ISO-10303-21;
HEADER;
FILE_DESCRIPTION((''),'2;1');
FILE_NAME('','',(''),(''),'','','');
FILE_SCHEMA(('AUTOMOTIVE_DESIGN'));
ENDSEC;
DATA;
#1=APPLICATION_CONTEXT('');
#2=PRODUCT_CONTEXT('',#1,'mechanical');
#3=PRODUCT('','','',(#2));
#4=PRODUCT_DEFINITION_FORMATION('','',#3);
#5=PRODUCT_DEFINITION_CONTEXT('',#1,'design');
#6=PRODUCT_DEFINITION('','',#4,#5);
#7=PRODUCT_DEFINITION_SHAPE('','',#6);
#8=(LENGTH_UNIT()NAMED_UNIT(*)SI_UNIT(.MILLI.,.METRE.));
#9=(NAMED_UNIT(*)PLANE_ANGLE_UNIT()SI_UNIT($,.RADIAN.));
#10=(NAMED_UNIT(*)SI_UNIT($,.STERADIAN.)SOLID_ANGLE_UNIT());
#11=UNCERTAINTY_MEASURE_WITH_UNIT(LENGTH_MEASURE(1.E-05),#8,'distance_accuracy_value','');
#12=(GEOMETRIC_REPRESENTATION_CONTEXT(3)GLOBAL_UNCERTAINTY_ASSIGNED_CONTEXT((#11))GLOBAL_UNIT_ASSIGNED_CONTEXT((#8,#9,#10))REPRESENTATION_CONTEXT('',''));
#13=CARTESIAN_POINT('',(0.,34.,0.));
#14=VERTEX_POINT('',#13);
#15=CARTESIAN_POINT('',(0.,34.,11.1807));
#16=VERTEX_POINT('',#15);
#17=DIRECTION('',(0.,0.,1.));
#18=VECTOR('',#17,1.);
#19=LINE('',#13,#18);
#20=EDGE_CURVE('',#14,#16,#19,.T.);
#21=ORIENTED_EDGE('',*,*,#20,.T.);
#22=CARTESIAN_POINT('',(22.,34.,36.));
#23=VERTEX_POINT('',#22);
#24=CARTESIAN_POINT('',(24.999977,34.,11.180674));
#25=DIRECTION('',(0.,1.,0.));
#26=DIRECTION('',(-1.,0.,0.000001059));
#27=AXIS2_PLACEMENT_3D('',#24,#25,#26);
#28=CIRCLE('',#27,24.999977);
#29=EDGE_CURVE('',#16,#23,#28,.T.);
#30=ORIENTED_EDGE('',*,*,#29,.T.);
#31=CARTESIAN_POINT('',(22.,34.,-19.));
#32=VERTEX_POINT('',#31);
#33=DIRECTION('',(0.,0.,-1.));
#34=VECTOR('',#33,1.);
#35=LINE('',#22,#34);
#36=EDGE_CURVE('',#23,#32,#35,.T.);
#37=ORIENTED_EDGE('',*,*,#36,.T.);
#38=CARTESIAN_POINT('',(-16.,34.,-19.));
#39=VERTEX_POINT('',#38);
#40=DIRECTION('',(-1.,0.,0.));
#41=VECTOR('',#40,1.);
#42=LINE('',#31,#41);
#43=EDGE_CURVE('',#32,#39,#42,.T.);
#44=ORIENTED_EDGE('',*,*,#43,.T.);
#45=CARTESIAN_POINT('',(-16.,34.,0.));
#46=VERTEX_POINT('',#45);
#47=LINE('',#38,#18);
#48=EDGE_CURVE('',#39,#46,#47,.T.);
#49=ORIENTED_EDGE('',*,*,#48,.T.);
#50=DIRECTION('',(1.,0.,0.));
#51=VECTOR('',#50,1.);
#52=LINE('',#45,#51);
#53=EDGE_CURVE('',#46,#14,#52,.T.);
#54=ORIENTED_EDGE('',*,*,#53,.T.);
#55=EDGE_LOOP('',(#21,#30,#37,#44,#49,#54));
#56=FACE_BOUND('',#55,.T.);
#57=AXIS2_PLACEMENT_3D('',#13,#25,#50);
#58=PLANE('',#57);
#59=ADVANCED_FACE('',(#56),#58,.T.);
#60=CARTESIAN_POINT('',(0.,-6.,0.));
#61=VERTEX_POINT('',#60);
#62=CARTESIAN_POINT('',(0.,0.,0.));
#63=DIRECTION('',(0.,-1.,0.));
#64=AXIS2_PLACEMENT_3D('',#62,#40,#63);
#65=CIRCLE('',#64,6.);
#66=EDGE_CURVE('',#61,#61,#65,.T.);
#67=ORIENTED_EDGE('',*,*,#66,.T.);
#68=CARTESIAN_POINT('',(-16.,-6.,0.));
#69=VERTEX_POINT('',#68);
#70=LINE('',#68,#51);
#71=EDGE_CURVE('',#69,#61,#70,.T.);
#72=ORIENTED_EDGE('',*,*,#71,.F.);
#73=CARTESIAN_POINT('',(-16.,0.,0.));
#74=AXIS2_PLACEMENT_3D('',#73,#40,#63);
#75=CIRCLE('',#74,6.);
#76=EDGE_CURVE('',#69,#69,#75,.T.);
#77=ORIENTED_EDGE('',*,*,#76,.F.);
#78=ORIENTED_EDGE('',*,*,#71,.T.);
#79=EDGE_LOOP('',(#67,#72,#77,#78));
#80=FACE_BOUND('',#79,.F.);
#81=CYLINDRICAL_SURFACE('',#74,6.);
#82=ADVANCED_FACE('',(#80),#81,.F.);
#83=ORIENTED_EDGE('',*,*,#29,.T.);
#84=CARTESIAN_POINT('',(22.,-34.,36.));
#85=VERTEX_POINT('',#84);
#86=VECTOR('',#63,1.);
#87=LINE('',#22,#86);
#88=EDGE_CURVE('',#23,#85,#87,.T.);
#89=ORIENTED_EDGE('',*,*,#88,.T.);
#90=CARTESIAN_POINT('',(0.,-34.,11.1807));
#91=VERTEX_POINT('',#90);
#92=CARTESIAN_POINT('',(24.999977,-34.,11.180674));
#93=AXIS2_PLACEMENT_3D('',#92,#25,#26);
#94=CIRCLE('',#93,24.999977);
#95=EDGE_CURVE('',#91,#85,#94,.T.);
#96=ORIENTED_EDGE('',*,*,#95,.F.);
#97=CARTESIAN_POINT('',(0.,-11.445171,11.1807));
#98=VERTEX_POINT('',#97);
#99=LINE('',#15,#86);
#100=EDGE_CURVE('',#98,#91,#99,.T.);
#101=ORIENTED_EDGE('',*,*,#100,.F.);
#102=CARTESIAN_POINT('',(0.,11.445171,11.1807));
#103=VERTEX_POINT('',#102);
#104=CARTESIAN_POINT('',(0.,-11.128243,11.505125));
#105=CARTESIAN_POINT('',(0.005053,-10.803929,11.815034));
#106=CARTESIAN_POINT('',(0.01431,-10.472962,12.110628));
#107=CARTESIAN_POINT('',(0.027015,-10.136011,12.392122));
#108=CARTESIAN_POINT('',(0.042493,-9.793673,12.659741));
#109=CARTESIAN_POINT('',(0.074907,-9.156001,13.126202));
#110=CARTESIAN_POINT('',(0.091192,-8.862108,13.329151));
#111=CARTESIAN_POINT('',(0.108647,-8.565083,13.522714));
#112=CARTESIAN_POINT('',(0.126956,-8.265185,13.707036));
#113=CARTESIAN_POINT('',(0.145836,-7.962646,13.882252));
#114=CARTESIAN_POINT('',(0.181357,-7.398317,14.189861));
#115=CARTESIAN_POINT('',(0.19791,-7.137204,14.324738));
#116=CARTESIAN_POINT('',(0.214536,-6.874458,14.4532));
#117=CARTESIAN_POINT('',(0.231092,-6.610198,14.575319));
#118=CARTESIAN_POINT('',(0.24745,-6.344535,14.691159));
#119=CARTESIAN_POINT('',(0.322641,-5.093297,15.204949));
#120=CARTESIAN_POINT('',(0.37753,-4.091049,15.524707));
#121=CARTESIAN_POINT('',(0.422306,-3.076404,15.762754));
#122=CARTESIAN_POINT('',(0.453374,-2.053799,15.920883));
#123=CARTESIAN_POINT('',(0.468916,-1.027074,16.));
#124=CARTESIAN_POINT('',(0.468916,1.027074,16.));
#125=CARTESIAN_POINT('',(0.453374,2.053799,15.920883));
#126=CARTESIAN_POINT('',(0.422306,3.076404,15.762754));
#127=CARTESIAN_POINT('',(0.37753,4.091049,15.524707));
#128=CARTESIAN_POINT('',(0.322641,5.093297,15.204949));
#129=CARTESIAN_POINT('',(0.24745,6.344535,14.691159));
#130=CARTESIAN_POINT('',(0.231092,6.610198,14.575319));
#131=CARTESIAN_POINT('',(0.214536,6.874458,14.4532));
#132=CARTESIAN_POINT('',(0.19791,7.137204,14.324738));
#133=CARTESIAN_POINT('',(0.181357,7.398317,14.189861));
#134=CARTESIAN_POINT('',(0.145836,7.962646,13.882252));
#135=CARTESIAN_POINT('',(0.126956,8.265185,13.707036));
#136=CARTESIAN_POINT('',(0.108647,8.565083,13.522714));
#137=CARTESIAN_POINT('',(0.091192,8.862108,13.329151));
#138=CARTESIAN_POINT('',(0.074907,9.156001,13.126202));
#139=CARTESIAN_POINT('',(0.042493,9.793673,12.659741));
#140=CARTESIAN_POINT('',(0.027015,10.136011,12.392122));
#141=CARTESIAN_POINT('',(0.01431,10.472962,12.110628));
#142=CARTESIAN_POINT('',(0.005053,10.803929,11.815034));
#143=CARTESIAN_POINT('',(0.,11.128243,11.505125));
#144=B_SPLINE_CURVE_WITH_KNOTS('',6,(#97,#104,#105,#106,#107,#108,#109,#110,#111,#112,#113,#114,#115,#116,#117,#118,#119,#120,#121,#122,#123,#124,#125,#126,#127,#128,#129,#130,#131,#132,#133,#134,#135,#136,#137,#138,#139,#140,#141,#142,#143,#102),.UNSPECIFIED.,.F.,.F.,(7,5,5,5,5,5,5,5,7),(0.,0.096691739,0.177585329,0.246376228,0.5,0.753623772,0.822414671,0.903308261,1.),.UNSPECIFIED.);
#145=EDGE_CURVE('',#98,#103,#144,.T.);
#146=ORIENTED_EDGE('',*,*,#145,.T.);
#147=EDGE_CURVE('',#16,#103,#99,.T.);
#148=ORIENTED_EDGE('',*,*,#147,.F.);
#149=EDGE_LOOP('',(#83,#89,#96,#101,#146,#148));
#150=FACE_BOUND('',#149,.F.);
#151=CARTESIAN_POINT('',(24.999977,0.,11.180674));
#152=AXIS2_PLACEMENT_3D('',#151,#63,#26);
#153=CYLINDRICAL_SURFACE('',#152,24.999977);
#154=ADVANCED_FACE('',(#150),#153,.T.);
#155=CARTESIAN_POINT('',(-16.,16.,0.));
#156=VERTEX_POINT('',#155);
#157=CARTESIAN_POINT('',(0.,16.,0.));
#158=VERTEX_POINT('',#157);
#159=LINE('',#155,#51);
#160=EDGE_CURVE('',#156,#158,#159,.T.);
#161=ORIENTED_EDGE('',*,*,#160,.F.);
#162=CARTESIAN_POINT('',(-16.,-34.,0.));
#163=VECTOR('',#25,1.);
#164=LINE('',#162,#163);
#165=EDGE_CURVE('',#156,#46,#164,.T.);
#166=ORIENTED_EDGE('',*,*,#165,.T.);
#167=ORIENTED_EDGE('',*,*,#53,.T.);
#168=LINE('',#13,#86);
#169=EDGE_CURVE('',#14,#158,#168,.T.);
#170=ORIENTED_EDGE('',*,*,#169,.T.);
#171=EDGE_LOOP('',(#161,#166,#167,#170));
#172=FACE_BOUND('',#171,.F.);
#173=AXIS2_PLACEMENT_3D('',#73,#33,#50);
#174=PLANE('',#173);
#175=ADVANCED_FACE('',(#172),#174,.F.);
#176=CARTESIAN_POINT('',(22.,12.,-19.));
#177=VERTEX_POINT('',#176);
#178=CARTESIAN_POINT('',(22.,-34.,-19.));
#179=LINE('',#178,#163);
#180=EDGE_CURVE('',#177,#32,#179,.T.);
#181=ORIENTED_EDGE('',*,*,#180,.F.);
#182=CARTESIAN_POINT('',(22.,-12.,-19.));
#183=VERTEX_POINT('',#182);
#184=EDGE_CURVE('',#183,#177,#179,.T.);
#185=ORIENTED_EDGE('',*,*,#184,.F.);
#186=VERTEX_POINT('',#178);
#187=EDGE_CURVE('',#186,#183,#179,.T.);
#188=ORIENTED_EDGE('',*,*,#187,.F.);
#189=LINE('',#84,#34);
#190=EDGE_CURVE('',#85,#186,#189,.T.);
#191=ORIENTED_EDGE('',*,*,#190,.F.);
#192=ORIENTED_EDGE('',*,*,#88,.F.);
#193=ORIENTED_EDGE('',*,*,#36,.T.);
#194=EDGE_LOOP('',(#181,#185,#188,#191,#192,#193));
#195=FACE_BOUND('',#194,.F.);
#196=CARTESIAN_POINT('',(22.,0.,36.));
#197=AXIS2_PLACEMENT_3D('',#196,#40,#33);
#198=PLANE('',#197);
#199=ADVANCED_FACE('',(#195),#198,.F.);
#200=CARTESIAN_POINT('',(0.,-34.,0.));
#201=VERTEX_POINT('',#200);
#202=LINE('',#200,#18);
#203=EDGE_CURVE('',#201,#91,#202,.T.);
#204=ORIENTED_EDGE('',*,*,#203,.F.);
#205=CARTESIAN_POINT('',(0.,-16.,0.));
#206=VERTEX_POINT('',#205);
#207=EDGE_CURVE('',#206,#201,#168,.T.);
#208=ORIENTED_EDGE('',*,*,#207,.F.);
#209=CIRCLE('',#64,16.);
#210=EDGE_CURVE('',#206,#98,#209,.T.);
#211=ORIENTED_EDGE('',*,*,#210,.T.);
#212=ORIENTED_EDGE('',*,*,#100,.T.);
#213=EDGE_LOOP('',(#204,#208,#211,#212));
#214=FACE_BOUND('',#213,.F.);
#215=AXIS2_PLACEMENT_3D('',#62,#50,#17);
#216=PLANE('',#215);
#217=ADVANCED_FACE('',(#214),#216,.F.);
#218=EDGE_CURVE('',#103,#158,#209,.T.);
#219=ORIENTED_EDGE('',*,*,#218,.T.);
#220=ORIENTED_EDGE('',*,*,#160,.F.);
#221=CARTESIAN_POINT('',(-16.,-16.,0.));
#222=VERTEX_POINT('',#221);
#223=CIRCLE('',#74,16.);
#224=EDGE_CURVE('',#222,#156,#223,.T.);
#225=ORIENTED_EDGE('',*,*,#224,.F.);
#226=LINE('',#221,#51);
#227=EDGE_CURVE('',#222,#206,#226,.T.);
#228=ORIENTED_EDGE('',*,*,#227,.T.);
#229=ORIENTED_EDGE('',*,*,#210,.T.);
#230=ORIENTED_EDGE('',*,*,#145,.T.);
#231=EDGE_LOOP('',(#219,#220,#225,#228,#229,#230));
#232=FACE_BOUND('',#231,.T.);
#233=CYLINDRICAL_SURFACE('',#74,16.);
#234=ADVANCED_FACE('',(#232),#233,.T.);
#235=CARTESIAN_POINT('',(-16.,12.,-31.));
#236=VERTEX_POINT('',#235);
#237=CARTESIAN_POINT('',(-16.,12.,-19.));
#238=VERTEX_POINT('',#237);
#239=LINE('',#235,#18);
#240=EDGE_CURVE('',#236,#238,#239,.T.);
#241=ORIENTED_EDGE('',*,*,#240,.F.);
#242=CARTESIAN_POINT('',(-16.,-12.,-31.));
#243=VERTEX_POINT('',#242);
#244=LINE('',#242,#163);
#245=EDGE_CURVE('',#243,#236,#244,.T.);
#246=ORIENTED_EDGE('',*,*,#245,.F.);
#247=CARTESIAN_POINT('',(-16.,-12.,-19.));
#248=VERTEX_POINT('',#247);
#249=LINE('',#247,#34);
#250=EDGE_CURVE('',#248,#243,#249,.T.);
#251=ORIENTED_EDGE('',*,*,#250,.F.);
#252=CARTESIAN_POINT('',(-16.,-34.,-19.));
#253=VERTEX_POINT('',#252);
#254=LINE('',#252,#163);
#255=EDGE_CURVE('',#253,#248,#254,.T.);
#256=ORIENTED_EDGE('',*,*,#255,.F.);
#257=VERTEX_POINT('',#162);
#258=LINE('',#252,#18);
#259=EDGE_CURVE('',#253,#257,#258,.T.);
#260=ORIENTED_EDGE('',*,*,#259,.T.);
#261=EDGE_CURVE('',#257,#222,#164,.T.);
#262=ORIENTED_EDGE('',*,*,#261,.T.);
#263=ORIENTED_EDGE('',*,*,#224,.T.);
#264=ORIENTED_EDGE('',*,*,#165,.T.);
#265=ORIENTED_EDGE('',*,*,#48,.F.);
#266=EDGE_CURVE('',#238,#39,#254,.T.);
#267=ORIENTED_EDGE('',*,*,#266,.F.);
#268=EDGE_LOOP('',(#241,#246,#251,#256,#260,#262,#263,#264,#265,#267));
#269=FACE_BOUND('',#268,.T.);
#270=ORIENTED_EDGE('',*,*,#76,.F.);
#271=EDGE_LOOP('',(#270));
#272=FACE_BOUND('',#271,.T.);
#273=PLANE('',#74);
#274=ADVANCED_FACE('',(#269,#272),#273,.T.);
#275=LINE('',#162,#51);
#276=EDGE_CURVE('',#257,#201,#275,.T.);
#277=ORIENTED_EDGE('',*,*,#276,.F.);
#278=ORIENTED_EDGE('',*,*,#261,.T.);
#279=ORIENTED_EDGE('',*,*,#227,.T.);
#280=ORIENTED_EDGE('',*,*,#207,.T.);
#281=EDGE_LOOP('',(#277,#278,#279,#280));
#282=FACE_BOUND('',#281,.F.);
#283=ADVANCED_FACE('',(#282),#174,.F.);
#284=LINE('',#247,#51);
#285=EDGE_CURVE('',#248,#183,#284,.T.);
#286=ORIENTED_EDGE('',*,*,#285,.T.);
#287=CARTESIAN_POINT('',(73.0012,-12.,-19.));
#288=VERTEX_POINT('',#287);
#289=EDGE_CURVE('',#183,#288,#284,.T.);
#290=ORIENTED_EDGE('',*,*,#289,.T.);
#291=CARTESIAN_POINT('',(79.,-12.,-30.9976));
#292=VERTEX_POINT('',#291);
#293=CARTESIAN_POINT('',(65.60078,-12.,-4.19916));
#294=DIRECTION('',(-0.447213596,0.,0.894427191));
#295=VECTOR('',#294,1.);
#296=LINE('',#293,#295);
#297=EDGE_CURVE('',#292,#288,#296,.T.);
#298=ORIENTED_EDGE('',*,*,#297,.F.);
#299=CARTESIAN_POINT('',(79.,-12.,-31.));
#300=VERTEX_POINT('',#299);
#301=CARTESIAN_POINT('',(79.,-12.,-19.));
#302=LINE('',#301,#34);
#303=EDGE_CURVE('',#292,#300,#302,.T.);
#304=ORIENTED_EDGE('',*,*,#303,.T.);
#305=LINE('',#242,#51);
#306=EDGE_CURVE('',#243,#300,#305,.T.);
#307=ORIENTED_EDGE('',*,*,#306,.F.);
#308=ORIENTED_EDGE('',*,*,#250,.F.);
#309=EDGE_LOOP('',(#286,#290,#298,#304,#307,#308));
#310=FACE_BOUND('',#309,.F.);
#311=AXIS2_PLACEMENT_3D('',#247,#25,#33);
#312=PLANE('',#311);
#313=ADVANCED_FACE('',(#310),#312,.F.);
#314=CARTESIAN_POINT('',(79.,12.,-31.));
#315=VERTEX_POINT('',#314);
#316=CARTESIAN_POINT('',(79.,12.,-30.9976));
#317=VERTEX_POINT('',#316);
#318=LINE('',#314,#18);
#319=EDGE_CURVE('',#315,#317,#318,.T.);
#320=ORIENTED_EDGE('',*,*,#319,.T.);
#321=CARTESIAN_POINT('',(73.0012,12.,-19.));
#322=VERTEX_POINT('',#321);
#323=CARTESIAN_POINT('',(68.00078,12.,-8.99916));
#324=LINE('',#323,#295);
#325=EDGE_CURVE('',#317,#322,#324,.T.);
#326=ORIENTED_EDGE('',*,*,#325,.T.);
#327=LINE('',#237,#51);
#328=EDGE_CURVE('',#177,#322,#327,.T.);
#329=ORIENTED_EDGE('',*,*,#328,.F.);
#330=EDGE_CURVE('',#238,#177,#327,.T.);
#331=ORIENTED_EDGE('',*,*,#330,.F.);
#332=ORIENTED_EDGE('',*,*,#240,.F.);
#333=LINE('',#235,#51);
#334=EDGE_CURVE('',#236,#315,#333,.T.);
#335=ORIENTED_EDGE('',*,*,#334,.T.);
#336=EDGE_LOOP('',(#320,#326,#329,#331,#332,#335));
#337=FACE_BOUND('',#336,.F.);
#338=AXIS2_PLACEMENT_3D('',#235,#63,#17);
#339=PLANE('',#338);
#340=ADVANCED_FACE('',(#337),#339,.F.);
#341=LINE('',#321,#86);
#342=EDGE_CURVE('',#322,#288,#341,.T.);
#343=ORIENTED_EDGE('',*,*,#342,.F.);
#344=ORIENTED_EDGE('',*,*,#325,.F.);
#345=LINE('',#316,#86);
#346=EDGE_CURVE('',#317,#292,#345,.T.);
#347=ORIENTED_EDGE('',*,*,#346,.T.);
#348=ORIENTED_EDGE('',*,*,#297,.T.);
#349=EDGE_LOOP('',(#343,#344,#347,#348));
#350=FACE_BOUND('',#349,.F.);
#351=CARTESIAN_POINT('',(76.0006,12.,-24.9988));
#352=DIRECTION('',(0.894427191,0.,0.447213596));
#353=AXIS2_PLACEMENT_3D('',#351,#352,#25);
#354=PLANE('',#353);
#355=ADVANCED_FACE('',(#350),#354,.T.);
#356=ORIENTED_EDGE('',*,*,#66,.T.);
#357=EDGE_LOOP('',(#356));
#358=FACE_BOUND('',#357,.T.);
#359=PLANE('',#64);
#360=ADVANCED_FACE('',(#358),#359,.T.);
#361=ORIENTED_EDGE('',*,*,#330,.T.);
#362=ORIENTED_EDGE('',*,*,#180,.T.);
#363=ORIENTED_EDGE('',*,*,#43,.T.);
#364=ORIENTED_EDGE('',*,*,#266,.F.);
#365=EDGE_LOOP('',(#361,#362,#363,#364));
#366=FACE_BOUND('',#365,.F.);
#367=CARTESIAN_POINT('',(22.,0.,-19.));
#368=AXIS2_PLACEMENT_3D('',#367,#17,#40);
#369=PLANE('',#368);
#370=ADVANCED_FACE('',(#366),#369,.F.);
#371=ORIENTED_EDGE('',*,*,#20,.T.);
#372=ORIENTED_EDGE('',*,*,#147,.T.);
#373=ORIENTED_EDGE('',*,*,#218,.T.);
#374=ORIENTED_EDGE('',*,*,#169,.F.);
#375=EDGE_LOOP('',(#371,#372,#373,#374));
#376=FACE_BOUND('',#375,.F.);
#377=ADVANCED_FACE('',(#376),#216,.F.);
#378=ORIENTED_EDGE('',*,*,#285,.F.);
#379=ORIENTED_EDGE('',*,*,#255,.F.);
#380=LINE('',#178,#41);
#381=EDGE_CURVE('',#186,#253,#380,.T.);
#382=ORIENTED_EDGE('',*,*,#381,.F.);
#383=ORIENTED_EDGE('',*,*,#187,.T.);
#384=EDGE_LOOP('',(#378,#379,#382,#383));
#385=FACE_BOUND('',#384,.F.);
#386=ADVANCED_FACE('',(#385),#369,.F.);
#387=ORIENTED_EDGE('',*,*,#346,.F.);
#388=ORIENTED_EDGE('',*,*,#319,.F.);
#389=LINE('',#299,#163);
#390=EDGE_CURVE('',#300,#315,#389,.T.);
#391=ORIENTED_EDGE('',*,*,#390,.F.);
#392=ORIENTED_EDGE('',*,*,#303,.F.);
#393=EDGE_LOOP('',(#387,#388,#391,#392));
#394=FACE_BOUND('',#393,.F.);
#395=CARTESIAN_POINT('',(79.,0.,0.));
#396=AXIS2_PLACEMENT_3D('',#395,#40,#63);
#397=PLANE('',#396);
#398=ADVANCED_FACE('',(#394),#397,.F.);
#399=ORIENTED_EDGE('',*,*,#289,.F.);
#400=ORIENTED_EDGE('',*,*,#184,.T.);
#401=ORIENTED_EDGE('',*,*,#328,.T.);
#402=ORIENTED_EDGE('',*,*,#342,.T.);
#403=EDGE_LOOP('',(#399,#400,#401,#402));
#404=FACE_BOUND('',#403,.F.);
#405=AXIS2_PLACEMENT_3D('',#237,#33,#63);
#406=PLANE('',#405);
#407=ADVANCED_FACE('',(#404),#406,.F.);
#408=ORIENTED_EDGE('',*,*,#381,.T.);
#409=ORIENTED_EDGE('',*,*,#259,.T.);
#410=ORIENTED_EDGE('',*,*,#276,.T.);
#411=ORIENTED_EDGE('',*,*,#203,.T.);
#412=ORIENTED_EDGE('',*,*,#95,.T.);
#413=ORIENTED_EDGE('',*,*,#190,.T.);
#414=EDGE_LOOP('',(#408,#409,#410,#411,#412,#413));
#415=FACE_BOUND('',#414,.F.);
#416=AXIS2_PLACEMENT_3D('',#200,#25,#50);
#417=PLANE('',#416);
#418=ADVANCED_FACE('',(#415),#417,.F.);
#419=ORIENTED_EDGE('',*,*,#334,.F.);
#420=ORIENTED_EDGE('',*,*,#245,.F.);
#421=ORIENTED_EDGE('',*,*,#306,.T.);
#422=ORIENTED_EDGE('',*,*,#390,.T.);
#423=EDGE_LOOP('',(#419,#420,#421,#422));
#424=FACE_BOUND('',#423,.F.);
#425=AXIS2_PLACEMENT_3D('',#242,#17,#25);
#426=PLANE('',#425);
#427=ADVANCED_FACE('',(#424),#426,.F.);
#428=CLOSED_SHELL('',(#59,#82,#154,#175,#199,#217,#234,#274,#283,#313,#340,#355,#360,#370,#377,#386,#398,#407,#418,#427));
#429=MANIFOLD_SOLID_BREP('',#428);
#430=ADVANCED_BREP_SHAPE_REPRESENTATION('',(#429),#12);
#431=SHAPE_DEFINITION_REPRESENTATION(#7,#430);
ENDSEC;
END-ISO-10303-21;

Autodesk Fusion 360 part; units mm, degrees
sketch "Sketch1" plane through (0, 0, 0) normal (0, 1, 0) x (1, 0, 0)
  line L0 (22, 19) -> (-16, 19)
  line L1 (-16, 19) -> (-16, 0)
  line L2 (-16, 0) -> (0, 0)
  line L3 (0, 0) -> (0, -11.1807)
  arc A0 (0, -11.1807) -> (22, -36) centre (25, -11.1807) ccw
  line L4 (22, -36) -> (22, 19)
  dimension "d1" = 55
  dimension "d2" = 38
  dimension "d3" = 25
  dimension "d4" = 16
  dimension "d5" = 19
extrude "Extrude1" add sketch "Sketch1" along normal blind 34 and the other way blind 34
sketch "Sketch2" plane through (-16, 0, 0) normal (-1, 0, 0) x (0, -1, 0)
  line L0 (34, 0) -> (-34, 0)
  line L1 (-34, 0) -> (-34, -19)
  line L2 (-34, -19) -> (34, -19)
  line L3 (34, -19) -> (34, 0)
  line L4 (-12, -19) -> (12, -19)
  line L5 (12, -19) -> (12, -31)
  line L6 (12, -31) -> (-12, -31)
  line L7 (-12, -31) -> (-12, -19)
  dimension "d10" = 12
  dimension "d11" = 24
  dimension "d12" = 22
extrude "Extrude2" add sketch "Sketch2" against normal blind 95 contours L2 L4 L5 L6 L7
chamfer "Chamfer1" distance 12 distance2 6 1 edges at (79, 0, -19) measured on face at (79, 4, -23)
sketch "Sketch3" plane through (-16, 0, 0) normal (-1, 0, 0) x (0, -1, 0)
  line L0 (34, 0) -> (-34, 0)
  line L1 (-34, 0) -> (-34, -19)
  line L2 (-34, -19) -> (-12, -19)
  line L3 (-12, -19) -> (-12, -31)
  line L4 (-12, -31) -> (12, -31)
  line L5 (12, -31) -> (12, -19)
  line L6 (12, -19) -> (34, -19)
  line L7 (34, -19) -> (34, 0)
  arc A0 (16, 0) -> (-16, 0) centre (0, 0) ccw
  dimension "d17" = 32
extrude "Extrude3" add sketch "Sketch3" along normal up to surface contours L0 A0 end surface at (1.4183, 11.3333, 19.4813)
sketch "Sketch4" plane through (-16, 0, 0) normal (-1, 0, 0) x (0, -1, 0)
  line L0 (34, 0) -> (16, 0)
  arc A0 (16, 0) -> (-16, 0) centre (0, 0) ccw
  line L1 (-16, 0) -> (-34, 0)
  line L2 (-34, 0) -> (-34, -19)
  line L3 (-34, -19) -> (-12, -19)
  line L4 (-12, -19) -> (-12, -31)
  line L5 (-12, -31) -> (12, -31)
  line L6 (12, -31) -> (12, -19)
  line L7 (12, -19) -> (34, -19)
  line L8 (34, -19) -> (34, 0)
  circle A1 centre (0, 0) radius 6
  dimension "d21" = 12
extrude "Extrude4" cut sketch "Sketch4" against normal blind 16 contours A1
